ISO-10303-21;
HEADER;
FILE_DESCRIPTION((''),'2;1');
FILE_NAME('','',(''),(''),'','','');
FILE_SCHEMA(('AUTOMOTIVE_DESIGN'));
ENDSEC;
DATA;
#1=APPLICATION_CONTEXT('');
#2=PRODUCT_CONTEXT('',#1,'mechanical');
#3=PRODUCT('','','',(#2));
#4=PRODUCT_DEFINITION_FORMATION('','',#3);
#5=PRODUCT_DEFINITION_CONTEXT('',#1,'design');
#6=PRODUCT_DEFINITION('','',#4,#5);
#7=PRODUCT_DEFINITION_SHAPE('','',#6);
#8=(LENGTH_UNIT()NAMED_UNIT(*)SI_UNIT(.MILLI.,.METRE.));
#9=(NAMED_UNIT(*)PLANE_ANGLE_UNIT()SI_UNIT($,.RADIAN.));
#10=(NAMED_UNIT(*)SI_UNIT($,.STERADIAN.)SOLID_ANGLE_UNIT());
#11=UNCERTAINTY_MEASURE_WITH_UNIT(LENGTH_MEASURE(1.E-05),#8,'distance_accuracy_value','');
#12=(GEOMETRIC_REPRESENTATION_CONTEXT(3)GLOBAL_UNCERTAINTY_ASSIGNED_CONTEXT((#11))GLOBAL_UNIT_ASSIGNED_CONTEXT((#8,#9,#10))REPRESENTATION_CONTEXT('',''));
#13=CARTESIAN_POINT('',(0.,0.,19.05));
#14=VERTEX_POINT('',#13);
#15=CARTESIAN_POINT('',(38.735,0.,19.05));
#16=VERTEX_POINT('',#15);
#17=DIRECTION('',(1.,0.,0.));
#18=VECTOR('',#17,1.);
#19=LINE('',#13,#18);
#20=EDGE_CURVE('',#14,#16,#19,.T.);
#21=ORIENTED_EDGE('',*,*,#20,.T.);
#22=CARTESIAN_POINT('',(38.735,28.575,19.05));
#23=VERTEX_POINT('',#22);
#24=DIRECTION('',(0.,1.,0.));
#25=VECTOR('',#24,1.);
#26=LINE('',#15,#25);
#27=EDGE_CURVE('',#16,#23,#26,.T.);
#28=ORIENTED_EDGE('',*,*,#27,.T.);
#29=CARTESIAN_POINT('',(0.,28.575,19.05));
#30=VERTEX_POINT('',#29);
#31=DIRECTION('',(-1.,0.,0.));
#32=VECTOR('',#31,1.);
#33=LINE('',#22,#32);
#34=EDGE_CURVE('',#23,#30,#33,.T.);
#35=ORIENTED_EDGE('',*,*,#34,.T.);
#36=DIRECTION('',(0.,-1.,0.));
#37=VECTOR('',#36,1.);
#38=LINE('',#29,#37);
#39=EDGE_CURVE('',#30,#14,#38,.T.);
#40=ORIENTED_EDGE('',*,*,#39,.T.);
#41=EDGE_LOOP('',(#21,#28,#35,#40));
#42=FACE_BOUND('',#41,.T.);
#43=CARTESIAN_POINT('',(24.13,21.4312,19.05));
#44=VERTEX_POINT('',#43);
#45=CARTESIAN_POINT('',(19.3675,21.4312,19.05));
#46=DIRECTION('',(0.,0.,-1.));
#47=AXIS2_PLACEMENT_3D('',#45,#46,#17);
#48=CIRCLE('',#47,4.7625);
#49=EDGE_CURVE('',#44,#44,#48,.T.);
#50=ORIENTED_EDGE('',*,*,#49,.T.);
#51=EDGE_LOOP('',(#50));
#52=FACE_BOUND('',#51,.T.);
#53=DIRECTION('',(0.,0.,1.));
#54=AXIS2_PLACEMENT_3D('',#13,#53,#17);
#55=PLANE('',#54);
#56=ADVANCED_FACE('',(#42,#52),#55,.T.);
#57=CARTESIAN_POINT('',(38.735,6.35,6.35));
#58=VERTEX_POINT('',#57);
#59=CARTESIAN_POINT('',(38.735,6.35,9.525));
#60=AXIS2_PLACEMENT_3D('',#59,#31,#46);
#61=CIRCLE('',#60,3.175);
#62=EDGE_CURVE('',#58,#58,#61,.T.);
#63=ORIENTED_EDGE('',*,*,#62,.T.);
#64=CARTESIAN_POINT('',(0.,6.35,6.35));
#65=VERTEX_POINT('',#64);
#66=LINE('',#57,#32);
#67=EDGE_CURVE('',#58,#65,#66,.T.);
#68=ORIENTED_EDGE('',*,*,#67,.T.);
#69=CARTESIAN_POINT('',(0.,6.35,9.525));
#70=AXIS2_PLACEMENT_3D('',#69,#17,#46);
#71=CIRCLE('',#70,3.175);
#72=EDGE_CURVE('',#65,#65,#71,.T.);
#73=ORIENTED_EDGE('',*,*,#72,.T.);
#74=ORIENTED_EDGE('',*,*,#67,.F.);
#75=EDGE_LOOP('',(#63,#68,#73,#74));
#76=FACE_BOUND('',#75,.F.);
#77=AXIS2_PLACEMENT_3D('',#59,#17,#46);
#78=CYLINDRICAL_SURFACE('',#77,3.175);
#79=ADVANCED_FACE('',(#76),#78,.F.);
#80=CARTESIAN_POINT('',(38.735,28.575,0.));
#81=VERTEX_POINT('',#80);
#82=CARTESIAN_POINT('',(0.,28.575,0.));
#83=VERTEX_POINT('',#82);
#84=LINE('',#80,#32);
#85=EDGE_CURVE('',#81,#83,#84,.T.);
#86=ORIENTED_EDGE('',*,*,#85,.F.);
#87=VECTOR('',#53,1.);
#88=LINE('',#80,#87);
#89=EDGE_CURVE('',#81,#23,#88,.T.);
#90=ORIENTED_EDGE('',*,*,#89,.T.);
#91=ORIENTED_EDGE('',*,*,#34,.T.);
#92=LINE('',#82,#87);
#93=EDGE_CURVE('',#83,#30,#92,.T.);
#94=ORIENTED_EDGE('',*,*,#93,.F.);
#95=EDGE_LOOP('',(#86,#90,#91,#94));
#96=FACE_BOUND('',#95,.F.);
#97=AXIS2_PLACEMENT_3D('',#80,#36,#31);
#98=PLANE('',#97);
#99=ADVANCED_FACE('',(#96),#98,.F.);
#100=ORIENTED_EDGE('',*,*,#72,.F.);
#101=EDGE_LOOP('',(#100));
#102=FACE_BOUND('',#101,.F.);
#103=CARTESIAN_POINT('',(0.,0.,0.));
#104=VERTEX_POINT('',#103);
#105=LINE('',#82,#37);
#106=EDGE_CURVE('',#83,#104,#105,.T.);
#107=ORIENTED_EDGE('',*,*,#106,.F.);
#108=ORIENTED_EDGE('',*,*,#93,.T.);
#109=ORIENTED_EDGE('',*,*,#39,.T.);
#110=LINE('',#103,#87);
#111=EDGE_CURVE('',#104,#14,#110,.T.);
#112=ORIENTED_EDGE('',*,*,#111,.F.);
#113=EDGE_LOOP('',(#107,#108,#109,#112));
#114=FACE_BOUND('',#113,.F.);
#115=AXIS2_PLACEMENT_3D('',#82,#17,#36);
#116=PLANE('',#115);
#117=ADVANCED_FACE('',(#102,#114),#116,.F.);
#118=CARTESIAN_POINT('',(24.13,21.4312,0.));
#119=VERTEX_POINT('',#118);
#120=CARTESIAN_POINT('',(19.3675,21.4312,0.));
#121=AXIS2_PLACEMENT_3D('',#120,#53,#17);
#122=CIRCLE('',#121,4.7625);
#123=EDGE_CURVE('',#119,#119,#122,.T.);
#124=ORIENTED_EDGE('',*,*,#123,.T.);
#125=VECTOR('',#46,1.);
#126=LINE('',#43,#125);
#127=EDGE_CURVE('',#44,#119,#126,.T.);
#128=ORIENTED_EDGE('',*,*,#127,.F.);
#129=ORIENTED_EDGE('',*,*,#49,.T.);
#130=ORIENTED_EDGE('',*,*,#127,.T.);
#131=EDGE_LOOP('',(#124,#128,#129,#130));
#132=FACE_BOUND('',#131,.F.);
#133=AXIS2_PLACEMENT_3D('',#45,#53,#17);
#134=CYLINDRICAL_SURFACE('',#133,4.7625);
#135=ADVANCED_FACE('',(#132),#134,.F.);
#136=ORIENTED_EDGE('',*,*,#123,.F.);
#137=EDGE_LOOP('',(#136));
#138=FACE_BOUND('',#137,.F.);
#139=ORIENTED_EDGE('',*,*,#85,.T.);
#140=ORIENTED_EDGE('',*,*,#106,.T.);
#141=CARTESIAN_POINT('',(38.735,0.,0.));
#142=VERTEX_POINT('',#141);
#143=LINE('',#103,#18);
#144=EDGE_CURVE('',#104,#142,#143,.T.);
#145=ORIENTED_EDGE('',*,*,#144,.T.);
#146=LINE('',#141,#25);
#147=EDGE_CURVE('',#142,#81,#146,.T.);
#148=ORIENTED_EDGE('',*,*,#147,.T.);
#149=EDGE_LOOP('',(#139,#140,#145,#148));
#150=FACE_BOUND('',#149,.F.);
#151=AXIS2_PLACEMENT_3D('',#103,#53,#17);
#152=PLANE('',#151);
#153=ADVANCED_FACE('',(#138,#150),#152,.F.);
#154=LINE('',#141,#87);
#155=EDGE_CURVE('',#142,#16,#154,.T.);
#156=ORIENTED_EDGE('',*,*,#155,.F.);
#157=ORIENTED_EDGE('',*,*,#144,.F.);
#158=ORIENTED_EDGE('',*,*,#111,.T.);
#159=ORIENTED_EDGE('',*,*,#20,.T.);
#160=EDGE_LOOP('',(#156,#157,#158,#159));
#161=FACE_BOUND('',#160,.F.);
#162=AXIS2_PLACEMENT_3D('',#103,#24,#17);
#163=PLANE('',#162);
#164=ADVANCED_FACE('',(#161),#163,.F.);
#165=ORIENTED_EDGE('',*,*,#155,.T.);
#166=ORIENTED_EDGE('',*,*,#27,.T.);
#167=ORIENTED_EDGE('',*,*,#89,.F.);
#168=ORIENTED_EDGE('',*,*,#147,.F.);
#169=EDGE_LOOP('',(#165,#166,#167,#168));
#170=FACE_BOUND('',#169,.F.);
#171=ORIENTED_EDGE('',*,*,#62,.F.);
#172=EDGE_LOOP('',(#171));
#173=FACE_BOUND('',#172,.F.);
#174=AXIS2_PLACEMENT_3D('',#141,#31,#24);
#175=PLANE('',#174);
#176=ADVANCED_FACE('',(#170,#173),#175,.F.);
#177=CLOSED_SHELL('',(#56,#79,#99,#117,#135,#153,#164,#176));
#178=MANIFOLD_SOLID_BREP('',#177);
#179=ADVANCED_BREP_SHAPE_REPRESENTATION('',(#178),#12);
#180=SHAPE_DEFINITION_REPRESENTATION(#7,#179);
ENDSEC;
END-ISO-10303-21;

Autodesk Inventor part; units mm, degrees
ref_plane "YZ Plane" through (0, 0, 0) normal (1, 0, 0) x (0, 1, 0)
ref_plane "XZ Plane" through (0, 0, 0) normal (0, 1, 0) x (-1, 0, 0)
ref_plane "XY Plane" through (0, 0, 0) normal (0, 0, 1) x (1, 0, 0)
sketch "Sketch1" plane through (0, 0, 0) normal (0, 0, 1) x (1, 0, 0)
  line L0 (0, 0) -> (38.735, 0)
  line L1 (38.735, 0) -> (38.735, 28.575)
  line L2 (38.735, 28.575) -> (0, 28.575)
  line L3 (0, 28.575) -> (0, 0)
  dimension "d0" = 38.735
  dimension "d1" = 28.575
extrude "Extrusion1" add sketch "Sketch1" along normal blind 19.05
sketch "Sketch2" plane through (38.735, 0, 0) normal (1, 0, 0) x (0, 0, -1)
  line L0 (0, 0) -> (-19.05, 0)
  line L1 (0, 0) -> (-19.05, 0) projected
  line L2 (-19.05, 0) -> (-9.525, 0)
  line L3 (-9.525, 0) -> (-9.525, 28.575)
  line L4 (0, 28.575) -> (-19.05, 28.575) projected
  line L5 (-9.525, 0) -> (-9.525, 12.7)
  line L6 (-9.525, 12.7) -> (-9.525, 6.35)
  circle A0 centre (-9.525, 6.35) radius 3.175
  dimension "d4" = 12.7
  dimension "d5" = 6.35
  dimension "d6" = 6.35
extrude "Extrusion2" cut sketch "Sketch2" against normal blind 76.2
sketch "Sketch3" plane through (0, 0, 19.05) normal (0, 0, 1) x (1, 0, 0)
  line L0 (0, 0) -> (0, 28.575)
  line L1 (0, 28.575) -> (0, 0) projected
  line L2 (0, 28.575) -> (38.735, 28.575)
  line L3 (38.735, 28.575) -> (19.3675, 28.575)
  line L4 (19.3675, 28.575) -> (19.3675, 0)
  line L5 (19.3675, 0) -> (19.3675, 14.2875)
  line L6 (19.3675, 14.2875) -> (19.3675, 28.575)
  line L7 (19.3675, 28.575) -> (19.3675, 21.4312)
  circle A0 centre (19.3675, 21.4312) radius 4.7625
  dimension "d9" = 9.525
extrude "Extrusion3" cut sketch "Sketch3" against normal blind 76.2
thread "Thread1" size "3/8-16 UNC" class "2B" standard "ANSI Unified Screw Threads" full length
properties part number "coupler"
